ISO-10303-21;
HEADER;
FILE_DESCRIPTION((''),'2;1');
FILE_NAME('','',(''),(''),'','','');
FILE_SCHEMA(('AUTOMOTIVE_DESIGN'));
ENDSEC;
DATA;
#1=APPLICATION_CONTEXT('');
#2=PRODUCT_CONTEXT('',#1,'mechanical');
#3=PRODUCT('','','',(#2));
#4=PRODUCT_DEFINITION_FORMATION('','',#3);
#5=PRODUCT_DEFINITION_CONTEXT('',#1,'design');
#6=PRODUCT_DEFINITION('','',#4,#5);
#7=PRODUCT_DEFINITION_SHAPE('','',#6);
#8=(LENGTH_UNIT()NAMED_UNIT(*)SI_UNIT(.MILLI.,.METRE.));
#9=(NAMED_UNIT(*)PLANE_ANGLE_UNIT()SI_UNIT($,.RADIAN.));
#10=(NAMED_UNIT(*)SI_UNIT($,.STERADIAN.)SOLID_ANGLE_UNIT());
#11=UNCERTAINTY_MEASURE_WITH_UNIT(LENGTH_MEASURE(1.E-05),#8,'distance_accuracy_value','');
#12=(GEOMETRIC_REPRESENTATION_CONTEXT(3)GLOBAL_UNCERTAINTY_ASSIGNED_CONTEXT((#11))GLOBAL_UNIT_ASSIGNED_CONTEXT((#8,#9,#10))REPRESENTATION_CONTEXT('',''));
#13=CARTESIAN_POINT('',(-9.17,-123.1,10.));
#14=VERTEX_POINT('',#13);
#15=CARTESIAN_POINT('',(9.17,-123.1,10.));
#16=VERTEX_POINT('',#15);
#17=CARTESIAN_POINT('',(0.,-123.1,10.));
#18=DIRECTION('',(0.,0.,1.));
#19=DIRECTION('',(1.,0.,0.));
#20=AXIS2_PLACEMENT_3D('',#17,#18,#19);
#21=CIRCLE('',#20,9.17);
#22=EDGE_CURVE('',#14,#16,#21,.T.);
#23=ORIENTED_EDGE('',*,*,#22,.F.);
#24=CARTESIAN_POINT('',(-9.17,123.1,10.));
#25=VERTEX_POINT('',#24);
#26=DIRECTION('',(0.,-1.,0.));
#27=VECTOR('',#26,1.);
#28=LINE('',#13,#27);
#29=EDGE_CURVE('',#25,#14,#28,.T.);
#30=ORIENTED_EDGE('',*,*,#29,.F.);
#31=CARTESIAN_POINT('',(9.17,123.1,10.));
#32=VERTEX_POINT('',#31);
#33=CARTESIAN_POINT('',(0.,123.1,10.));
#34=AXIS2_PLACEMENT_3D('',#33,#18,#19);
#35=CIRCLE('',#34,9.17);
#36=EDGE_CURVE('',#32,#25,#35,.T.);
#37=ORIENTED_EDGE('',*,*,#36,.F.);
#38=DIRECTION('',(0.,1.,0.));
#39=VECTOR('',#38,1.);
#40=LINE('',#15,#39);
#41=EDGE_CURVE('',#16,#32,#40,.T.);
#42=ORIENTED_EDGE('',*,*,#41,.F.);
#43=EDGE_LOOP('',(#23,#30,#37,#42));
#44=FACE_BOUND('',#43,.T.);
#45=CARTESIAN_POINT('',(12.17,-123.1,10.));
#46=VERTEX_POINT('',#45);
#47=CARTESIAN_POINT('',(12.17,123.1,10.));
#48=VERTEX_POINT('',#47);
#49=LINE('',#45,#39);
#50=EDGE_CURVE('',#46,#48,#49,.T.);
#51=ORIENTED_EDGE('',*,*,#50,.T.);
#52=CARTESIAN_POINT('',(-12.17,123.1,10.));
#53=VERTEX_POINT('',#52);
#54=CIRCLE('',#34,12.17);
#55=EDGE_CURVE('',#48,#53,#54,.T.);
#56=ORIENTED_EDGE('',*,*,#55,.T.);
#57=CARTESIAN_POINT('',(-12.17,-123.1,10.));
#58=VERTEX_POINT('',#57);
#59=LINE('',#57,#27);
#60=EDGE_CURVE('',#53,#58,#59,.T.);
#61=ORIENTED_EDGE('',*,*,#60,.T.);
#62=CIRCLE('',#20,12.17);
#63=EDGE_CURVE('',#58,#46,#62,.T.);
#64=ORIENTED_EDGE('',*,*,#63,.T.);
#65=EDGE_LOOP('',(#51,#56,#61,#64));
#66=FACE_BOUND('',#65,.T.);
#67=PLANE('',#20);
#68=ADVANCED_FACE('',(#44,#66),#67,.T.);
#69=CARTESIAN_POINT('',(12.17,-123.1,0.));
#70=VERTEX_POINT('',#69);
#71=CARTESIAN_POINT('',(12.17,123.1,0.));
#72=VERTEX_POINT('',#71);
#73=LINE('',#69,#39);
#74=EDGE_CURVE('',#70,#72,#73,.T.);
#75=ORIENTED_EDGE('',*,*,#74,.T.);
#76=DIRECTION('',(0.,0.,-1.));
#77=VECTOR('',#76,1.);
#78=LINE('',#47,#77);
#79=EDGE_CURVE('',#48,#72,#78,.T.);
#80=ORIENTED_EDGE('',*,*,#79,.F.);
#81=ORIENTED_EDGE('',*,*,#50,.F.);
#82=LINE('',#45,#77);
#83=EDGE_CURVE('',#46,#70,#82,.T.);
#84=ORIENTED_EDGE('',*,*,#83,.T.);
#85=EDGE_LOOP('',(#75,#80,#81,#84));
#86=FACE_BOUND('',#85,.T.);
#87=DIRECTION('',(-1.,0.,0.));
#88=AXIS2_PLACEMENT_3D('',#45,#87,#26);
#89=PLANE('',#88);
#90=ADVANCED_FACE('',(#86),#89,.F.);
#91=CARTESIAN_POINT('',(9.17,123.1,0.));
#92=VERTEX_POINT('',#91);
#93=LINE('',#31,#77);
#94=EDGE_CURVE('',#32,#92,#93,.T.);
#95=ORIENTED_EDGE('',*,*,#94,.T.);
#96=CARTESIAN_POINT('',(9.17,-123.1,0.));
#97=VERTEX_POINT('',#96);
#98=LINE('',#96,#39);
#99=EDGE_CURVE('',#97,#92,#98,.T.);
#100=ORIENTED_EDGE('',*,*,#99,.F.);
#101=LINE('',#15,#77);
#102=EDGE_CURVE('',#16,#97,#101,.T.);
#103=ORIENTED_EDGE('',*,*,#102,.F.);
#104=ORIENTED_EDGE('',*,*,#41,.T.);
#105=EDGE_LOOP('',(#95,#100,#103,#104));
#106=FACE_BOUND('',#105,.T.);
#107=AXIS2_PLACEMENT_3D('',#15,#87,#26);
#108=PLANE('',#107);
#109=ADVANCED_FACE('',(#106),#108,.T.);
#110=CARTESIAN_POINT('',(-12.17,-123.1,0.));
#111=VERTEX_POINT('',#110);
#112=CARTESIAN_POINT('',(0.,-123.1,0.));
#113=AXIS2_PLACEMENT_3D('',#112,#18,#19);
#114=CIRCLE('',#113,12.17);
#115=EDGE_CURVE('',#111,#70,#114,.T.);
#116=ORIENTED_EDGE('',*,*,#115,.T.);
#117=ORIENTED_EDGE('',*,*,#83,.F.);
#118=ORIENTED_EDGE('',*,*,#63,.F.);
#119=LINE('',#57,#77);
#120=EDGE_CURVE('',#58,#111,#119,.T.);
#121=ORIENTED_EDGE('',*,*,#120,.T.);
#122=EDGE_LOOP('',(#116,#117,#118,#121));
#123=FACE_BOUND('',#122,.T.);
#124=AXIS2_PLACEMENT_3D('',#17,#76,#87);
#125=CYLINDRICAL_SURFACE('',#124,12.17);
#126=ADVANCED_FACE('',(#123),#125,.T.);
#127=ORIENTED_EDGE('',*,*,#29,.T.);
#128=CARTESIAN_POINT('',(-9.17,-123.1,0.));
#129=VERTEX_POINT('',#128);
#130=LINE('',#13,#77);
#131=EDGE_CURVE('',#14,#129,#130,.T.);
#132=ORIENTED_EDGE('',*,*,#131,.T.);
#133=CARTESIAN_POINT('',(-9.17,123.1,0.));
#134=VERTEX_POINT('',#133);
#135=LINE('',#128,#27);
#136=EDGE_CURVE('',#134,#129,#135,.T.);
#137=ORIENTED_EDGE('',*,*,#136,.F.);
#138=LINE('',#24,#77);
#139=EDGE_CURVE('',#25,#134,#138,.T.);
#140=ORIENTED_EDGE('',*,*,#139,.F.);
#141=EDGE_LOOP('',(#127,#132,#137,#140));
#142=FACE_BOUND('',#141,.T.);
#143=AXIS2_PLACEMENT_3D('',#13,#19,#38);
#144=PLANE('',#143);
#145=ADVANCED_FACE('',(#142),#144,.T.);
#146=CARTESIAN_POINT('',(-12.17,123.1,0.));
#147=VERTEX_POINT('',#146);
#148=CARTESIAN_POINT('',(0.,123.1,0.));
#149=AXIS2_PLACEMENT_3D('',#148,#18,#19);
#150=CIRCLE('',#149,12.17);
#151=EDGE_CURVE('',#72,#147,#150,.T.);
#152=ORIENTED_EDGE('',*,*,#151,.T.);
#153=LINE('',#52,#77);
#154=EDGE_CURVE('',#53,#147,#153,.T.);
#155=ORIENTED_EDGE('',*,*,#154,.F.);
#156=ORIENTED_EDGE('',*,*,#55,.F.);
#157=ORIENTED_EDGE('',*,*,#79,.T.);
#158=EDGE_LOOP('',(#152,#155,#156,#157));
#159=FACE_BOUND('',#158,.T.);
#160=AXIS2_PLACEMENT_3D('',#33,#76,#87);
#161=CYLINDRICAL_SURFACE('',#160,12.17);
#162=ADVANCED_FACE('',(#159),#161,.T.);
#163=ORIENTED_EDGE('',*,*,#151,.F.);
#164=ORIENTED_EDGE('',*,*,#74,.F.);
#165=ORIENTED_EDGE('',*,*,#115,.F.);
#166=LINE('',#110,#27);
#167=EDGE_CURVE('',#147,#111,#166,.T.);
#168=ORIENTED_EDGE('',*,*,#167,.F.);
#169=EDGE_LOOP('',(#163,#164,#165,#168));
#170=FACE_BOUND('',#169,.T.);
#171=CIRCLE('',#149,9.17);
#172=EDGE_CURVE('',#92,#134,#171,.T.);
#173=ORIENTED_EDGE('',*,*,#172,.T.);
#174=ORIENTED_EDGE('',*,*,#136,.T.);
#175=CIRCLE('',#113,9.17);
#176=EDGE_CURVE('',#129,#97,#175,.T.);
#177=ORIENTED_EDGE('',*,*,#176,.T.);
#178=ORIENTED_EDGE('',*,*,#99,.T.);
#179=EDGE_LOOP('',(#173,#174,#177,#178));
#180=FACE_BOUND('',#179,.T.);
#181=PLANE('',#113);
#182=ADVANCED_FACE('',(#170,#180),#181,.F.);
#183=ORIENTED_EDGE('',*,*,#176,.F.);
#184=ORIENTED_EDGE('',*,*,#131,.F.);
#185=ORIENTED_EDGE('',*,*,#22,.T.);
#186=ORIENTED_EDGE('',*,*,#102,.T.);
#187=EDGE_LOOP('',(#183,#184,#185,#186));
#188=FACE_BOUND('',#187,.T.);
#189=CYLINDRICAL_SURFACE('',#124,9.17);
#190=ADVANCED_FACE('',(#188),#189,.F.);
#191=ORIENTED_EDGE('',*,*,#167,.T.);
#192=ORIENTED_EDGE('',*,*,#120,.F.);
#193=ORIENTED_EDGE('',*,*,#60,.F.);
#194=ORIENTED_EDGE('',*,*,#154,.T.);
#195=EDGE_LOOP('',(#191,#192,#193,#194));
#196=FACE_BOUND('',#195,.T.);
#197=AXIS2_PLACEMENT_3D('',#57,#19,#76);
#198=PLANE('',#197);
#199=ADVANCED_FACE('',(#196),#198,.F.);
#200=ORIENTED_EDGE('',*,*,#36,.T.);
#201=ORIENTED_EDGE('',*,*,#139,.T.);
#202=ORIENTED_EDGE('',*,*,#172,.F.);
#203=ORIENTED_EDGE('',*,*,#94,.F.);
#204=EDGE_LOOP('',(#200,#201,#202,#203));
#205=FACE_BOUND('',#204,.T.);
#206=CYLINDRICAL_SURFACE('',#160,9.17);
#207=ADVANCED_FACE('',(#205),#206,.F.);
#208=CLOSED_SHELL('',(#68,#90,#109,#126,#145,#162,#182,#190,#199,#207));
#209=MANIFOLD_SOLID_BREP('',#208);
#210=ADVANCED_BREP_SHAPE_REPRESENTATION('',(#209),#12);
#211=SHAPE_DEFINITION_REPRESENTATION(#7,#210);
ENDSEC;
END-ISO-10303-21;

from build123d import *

# Parameters (mm, degrees)
EXTRUDE_1_DEPTH = 10


with BuildPart() as part:
    # 草图1 → 凸台-拉伸1 (new body)
    with BuildSketch(Plane.XY):
        with BuildLine():
            Line((-12.17, -123.1), (-12.17, 123.1))
            ThreePointArc((-12.17, 123.1), (0, 135.27), (12.17, 123.1))
            Line((12.17, 123.1), (12.17, -123.1))
            ThreePointArc((12.17, -123.1), (0, -135.27), (-12.17, -123.1))
        make_face()
        with BuildLine():
            Line((-9.17, -123.1), (-9.17, 123.1))
            ThreePointArc((-9.17, 123.1), (0, 132.27), (9.17, 123.1))
            Line((9.17, 123.1), (9.17, -123.1))
            ThreePointArc((9.17, -123.1), (0, -132.27), (-9.17, -123.1))
        make_face(mode=Mode.SUBTRACT)
    extrude(amount=EXTRUDE_1_DEPTH)


solid = part.part
